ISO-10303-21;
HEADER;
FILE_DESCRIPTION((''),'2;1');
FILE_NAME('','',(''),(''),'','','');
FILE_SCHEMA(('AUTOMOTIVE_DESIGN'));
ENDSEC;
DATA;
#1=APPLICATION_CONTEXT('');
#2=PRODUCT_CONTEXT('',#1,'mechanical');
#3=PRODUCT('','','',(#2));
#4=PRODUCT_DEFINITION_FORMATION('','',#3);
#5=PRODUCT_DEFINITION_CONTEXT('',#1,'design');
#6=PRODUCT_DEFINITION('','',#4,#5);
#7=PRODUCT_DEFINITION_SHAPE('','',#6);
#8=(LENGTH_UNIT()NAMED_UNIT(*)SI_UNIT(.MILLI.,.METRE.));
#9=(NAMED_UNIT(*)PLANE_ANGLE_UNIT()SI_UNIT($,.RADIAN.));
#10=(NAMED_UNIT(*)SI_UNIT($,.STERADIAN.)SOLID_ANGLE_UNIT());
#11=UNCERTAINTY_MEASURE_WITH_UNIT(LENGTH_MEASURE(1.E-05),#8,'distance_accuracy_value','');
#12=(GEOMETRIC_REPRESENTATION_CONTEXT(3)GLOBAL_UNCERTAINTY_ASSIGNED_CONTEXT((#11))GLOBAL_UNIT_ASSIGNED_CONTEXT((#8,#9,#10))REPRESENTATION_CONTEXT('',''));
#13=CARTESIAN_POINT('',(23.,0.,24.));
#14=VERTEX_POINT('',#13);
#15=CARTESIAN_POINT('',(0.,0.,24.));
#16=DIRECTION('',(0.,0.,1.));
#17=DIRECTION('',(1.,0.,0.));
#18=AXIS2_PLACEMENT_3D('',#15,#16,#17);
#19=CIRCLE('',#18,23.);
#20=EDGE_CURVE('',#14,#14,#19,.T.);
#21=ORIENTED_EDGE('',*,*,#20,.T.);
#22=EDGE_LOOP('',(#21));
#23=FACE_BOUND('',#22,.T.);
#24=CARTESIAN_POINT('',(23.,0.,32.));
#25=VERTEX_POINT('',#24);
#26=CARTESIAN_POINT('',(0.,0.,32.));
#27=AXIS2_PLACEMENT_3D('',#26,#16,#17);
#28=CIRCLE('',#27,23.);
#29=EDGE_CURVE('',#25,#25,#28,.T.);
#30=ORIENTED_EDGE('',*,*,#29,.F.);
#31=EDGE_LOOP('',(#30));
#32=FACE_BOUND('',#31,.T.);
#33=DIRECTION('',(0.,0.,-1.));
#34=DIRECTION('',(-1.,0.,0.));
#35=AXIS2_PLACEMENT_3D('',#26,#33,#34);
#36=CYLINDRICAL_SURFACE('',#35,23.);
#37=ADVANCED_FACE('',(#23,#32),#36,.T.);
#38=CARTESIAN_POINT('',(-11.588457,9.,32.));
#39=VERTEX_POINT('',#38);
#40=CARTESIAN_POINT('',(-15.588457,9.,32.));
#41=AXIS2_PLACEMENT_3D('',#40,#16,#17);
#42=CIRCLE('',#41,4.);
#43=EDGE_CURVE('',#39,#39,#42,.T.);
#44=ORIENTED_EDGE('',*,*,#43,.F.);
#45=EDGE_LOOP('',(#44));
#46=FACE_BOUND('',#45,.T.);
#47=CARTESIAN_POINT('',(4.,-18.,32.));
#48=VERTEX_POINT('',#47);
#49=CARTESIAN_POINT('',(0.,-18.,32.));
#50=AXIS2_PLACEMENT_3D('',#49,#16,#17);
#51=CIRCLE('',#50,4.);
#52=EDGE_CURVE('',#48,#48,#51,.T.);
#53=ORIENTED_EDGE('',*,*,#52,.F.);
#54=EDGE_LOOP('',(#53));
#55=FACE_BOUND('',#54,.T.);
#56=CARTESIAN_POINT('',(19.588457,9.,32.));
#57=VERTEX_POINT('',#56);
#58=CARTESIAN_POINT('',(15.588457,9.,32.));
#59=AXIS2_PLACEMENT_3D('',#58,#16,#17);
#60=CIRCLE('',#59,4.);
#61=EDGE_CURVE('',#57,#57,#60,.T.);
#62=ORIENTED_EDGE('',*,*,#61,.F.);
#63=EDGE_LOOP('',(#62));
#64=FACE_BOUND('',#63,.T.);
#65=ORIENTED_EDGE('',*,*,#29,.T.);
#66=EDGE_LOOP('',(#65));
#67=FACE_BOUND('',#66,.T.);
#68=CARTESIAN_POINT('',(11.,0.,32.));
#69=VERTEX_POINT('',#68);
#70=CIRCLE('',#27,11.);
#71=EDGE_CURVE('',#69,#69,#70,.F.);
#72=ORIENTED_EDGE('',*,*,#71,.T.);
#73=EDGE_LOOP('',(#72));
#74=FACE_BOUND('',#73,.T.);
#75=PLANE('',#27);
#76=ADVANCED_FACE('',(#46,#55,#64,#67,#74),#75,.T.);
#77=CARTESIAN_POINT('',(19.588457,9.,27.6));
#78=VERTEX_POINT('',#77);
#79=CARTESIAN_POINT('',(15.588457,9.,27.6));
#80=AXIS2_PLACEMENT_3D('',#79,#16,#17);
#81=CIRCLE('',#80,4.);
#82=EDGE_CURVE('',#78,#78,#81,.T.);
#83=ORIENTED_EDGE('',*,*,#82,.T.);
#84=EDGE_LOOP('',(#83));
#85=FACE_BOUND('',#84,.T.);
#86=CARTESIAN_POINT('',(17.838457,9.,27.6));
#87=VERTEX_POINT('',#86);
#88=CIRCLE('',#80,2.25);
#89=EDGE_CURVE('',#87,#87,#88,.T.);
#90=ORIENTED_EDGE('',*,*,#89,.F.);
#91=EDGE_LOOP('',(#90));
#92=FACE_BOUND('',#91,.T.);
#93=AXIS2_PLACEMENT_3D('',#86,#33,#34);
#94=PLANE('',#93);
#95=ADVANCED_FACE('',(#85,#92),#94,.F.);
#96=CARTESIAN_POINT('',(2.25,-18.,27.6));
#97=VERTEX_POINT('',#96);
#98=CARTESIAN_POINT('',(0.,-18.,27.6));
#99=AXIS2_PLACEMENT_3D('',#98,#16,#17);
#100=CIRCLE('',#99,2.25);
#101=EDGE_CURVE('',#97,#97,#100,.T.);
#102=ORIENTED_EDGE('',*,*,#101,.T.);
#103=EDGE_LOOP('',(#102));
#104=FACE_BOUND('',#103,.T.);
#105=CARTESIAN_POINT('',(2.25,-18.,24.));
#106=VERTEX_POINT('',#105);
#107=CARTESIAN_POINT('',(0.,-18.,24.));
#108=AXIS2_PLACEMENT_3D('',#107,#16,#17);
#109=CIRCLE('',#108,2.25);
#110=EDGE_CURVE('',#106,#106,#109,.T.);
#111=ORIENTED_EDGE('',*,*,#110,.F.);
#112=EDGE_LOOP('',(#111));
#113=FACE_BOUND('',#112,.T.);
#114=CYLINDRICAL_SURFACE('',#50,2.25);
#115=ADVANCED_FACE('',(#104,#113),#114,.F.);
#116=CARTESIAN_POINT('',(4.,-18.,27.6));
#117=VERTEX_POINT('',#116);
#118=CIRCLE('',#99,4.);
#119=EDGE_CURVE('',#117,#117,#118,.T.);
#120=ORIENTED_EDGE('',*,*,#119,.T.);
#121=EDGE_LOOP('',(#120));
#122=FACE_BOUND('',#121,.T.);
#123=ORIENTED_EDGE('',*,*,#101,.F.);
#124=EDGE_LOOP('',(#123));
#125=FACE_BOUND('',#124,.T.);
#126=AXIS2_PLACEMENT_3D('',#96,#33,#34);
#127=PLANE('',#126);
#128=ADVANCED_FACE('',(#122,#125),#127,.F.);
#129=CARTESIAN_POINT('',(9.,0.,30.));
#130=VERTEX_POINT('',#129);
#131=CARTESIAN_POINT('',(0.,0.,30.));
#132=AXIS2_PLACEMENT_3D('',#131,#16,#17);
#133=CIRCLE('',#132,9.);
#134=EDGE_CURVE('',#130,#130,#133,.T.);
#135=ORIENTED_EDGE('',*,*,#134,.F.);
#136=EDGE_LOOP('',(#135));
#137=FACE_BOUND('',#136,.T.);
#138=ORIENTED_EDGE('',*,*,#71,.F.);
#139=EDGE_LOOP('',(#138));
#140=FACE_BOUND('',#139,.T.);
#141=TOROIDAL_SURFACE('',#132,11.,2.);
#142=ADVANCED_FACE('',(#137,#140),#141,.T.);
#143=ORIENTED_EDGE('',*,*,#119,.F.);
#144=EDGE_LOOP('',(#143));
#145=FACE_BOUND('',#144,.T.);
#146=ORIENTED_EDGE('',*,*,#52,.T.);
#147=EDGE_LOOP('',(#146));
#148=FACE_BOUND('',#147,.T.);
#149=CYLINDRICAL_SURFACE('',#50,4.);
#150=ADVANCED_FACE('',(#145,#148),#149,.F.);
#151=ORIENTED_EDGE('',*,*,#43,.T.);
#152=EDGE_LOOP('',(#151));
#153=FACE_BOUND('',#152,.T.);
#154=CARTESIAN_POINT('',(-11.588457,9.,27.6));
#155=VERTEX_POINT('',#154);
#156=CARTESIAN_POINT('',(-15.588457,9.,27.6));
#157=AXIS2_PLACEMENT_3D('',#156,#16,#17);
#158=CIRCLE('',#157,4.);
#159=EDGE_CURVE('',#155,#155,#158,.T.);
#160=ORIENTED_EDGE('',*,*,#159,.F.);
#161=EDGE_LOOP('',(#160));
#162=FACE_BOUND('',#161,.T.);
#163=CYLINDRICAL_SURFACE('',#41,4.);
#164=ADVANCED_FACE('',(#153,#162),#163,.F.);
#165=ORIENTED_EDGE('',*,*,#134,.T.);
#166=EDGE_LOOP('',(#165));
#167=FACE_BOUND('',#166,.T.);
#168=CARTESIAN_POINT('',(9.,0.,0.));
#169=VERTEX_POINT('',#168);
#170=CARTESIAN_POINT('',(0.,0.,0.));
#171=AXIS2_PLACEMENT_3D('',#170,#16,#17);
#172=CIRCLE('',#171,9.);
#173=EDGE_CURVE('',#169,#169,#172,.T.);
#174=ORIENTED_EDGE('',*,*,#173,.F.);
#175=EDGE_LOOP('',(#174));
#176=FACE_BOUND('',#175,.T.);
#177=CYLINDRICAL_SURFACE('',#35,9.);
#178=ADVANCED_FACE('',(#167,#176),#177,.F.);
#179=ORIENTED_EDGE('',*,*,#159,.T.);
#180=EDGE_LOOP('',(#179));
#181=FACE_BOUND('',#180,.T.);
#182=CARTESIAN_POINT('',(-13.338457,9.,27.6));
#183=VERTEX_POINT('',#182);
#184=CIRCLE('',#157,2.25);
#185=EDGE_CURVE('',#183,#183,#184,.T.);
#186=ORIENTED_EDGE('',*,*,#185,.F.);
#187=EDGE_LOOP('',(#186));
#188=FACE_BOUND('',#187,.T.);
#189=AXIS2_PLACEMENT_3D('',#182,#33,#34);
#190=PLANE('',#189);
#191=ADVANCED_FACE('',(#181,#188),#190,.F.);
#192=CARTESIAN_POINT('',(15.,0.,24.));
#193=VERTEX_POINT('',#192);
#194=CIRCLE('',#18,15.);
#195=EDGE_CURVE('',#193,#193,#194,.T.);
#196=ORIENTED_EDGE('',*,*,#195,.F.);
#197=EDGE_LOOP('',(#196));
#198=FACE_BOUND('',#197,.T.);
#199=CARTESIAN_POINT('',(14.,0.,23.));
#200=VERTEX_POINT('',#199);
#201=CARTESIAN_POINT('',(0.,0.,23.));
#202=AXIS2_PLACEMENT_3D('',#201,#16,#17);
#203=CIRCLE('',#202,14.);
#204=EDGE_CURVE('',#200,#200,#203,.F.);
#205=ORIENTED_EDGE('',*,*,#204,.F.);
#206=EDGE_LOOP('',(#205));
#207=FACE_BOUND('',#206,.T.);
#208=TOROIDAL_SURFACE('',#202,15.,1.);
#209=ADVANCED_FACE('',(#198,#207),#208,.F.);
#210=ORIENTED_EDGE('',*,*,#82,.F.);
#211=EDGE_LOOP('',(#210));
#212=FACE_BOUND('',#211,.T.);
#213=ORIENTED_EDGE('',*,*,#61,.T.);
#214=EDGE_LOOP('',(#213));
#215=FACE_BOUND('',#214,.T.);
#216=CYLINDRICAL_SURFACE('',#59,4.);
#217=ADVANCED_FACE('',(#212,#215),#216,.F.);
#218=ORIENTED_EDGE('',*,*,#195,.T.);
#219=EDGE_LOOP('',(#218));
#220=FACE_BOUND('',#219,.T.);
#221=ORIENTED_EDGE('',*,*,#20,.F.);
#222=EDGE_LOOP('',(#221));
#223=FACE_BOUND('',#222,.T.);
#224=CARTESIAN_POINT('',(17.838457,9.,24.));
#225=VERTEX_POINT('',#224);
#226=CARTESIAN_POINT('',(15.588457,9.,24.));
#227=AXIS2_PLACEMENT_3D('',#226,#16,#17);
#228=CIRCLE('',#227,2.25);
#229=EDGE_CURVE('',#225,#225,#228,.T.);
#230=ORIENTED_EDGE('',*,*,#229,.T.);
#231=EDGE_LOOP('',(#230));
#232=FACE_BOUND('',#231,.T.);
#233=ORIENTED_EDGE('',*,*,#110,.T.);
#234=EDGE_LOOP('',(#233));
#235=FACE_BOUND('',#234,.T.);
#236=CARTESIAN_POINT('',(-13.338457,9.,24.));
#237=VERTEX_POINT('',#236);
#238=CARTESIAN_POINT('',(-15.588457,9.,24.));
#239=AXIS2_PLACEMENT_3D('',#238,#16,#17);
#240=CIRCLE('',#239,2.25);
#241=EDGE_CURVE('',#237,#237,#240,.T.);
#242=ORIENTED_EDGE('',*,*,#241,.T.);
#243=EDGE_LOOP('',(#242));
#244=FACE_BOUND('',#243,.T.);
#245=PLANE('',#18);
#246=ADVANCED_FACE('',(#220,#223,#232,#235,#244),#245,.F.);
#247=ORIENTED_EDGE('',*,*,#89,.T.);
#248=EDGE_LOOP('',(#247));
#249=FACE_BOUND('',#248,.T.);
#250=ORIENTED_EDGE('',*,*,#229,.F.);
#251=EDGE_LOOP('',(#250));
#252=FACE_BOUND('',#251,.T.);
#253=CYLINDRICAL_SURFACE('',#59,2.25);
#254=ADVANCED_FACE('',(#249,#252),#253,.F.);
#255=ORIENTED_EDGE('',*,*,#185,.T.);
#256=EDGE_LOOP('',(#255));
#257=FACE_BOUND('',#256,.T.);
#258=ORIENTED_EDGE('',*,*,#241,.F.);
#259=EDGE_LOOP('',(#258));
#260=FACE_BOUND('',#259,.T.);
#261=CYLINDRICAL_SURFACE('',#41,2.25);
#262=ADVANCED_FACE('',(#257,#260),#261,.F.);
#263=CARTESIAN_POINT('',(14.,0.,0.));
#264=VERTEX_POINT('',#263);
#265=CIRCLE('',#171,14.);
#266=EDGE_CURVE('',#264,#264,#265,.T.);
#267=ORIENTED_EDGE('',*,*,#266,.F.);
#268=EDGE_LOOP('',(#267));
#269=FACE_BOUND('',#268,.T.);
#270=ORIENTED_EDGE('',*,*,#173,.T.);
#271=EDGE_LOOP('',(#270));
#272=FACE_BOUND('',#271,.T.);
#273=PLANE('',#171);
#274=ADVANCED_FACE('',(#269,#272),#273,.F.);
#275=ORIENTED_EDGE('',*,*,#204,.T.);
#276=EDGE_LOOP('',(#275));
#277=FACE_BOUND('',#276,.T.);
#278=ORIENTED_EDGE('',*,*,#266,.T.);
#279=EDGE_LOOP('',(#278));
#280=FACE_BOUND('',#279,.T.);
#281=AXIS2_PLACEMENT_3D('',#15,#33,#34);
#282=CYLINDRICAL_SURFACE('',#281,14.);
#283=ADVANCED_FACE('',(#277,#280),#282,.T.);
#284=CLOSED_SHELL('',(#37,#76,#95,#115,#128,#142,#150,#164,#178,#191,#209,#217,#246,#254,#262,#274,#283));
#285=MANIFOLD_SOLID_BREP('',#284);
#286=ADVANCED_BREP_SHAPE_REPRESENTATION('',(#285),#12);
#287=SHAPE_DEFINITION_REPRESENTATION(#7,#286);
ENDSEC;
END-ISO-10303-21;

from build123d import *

# Parameters (mm, degrees)
SKETCH1_R                                           = 14
BOSS_EXTRUDE1_DEPTH                                 = 24
SKETCH2_R                                           = 23
SKETCH2_R_2                                         = 9
BOSS_EXTRUDE2_DEPTH                                 = 8
SKETCH3_R                                           = 9
CUT_EXTRUDE1_DEPTH                                  = 41.422765863
CBORE_FOR_M4_HEX_SOCKET_HEAD_CAP_SCREW1_D           = 4.5
CBORE_FOR_M4_HEX_SOCKET_HEAD_CAP_SCREW1_CBORE_D     = 8
CBORE_FOR_M4_HEX_SOCKET_HEAD_CAP_SCREW1_CBORE_DEPTH = 4.4
CIRPATTERN1_COUNT                                   = 3
FILLET1_R                                           = 2
FILLET2_R                                           = 1


with BuildPart() as part:
    # Sketch1 → Boss-Extrude1 (new body)
    with BuildSketch(Plane.XY):
        Circle(SKETCH1_R)
    extrude(amount=BOSS_EXTRUDE1_DEPTH)

    # Sketch2 → Boss-Extrude2 (add)
    with BuildSketch(Plane.XY.offset(24)):
        Circle(SKETCH2_R)
        Circle(SKETCH2_R_2, mode=Mode.SUBTRACT)
    extrude(amount=BOSS_EXTRUDE2_DEPTH)

    # Sketch3 → Cut-Extrude1 (cut, through all)
    with BuildSketch(Plane.XY.offset(24)):
        Circle(SKETCH3_R)
    extrude(amount=-CUT_EXTRUDE1_DEPTH, mode=Mode.SUBTRACT)

    # CBORE for M4 Hex Socket Head Cap Screw1 (through all)
    with Locations(Plane.XY.offset(32)):
        with Locations((0, -18)):
            cbore_for_m4_hex_socket_head_cap_screw1 = CounterBoreHole(CBORE_FOR_M4_HEX_SOCKET_HEAD_CAP_SCREW1_D / 2, CBORE_FOR_M4_HEX_SOCKET_HEAD_CAP_SCREW1_CBORE_D / 2, CBORE_FOR_M4_HEX_SOCKET_HEAD_CAP_SCREW1_CBORE_DEPTH)

    # CirPattern1: CBORE for M4 Hex Socket Head Cap Screw1 ×3 about axis
    cirpattern1_axis = Axis((0, 0, 0), (0, 0, 1))
    for i in range(1, CIRPATTERN1_COUNT):
        add(cbore_for_m4_hex_socket_head_cap_screw1.rotate(cirpattern1_axis, i * 360 / CIRPATTERN1_COUNT), mode=Mode.SUBTRACT)

    # Fillet1
    fillet1_edges = [part.edges().sort_by_distance(p)[0] for p in [
        (-9, 0, 32),
    ]]
    fillet(fillet1_edges, radius=FILLET1_R)

    # Fillet2
    fillet2_edges = [part.edges().sort_by_distance(p)[0] for p in [
        (-14, 0, 24),
    ]]
    fillet(fillet2_edges, radius=FILLET2_R)


solid = part.part
